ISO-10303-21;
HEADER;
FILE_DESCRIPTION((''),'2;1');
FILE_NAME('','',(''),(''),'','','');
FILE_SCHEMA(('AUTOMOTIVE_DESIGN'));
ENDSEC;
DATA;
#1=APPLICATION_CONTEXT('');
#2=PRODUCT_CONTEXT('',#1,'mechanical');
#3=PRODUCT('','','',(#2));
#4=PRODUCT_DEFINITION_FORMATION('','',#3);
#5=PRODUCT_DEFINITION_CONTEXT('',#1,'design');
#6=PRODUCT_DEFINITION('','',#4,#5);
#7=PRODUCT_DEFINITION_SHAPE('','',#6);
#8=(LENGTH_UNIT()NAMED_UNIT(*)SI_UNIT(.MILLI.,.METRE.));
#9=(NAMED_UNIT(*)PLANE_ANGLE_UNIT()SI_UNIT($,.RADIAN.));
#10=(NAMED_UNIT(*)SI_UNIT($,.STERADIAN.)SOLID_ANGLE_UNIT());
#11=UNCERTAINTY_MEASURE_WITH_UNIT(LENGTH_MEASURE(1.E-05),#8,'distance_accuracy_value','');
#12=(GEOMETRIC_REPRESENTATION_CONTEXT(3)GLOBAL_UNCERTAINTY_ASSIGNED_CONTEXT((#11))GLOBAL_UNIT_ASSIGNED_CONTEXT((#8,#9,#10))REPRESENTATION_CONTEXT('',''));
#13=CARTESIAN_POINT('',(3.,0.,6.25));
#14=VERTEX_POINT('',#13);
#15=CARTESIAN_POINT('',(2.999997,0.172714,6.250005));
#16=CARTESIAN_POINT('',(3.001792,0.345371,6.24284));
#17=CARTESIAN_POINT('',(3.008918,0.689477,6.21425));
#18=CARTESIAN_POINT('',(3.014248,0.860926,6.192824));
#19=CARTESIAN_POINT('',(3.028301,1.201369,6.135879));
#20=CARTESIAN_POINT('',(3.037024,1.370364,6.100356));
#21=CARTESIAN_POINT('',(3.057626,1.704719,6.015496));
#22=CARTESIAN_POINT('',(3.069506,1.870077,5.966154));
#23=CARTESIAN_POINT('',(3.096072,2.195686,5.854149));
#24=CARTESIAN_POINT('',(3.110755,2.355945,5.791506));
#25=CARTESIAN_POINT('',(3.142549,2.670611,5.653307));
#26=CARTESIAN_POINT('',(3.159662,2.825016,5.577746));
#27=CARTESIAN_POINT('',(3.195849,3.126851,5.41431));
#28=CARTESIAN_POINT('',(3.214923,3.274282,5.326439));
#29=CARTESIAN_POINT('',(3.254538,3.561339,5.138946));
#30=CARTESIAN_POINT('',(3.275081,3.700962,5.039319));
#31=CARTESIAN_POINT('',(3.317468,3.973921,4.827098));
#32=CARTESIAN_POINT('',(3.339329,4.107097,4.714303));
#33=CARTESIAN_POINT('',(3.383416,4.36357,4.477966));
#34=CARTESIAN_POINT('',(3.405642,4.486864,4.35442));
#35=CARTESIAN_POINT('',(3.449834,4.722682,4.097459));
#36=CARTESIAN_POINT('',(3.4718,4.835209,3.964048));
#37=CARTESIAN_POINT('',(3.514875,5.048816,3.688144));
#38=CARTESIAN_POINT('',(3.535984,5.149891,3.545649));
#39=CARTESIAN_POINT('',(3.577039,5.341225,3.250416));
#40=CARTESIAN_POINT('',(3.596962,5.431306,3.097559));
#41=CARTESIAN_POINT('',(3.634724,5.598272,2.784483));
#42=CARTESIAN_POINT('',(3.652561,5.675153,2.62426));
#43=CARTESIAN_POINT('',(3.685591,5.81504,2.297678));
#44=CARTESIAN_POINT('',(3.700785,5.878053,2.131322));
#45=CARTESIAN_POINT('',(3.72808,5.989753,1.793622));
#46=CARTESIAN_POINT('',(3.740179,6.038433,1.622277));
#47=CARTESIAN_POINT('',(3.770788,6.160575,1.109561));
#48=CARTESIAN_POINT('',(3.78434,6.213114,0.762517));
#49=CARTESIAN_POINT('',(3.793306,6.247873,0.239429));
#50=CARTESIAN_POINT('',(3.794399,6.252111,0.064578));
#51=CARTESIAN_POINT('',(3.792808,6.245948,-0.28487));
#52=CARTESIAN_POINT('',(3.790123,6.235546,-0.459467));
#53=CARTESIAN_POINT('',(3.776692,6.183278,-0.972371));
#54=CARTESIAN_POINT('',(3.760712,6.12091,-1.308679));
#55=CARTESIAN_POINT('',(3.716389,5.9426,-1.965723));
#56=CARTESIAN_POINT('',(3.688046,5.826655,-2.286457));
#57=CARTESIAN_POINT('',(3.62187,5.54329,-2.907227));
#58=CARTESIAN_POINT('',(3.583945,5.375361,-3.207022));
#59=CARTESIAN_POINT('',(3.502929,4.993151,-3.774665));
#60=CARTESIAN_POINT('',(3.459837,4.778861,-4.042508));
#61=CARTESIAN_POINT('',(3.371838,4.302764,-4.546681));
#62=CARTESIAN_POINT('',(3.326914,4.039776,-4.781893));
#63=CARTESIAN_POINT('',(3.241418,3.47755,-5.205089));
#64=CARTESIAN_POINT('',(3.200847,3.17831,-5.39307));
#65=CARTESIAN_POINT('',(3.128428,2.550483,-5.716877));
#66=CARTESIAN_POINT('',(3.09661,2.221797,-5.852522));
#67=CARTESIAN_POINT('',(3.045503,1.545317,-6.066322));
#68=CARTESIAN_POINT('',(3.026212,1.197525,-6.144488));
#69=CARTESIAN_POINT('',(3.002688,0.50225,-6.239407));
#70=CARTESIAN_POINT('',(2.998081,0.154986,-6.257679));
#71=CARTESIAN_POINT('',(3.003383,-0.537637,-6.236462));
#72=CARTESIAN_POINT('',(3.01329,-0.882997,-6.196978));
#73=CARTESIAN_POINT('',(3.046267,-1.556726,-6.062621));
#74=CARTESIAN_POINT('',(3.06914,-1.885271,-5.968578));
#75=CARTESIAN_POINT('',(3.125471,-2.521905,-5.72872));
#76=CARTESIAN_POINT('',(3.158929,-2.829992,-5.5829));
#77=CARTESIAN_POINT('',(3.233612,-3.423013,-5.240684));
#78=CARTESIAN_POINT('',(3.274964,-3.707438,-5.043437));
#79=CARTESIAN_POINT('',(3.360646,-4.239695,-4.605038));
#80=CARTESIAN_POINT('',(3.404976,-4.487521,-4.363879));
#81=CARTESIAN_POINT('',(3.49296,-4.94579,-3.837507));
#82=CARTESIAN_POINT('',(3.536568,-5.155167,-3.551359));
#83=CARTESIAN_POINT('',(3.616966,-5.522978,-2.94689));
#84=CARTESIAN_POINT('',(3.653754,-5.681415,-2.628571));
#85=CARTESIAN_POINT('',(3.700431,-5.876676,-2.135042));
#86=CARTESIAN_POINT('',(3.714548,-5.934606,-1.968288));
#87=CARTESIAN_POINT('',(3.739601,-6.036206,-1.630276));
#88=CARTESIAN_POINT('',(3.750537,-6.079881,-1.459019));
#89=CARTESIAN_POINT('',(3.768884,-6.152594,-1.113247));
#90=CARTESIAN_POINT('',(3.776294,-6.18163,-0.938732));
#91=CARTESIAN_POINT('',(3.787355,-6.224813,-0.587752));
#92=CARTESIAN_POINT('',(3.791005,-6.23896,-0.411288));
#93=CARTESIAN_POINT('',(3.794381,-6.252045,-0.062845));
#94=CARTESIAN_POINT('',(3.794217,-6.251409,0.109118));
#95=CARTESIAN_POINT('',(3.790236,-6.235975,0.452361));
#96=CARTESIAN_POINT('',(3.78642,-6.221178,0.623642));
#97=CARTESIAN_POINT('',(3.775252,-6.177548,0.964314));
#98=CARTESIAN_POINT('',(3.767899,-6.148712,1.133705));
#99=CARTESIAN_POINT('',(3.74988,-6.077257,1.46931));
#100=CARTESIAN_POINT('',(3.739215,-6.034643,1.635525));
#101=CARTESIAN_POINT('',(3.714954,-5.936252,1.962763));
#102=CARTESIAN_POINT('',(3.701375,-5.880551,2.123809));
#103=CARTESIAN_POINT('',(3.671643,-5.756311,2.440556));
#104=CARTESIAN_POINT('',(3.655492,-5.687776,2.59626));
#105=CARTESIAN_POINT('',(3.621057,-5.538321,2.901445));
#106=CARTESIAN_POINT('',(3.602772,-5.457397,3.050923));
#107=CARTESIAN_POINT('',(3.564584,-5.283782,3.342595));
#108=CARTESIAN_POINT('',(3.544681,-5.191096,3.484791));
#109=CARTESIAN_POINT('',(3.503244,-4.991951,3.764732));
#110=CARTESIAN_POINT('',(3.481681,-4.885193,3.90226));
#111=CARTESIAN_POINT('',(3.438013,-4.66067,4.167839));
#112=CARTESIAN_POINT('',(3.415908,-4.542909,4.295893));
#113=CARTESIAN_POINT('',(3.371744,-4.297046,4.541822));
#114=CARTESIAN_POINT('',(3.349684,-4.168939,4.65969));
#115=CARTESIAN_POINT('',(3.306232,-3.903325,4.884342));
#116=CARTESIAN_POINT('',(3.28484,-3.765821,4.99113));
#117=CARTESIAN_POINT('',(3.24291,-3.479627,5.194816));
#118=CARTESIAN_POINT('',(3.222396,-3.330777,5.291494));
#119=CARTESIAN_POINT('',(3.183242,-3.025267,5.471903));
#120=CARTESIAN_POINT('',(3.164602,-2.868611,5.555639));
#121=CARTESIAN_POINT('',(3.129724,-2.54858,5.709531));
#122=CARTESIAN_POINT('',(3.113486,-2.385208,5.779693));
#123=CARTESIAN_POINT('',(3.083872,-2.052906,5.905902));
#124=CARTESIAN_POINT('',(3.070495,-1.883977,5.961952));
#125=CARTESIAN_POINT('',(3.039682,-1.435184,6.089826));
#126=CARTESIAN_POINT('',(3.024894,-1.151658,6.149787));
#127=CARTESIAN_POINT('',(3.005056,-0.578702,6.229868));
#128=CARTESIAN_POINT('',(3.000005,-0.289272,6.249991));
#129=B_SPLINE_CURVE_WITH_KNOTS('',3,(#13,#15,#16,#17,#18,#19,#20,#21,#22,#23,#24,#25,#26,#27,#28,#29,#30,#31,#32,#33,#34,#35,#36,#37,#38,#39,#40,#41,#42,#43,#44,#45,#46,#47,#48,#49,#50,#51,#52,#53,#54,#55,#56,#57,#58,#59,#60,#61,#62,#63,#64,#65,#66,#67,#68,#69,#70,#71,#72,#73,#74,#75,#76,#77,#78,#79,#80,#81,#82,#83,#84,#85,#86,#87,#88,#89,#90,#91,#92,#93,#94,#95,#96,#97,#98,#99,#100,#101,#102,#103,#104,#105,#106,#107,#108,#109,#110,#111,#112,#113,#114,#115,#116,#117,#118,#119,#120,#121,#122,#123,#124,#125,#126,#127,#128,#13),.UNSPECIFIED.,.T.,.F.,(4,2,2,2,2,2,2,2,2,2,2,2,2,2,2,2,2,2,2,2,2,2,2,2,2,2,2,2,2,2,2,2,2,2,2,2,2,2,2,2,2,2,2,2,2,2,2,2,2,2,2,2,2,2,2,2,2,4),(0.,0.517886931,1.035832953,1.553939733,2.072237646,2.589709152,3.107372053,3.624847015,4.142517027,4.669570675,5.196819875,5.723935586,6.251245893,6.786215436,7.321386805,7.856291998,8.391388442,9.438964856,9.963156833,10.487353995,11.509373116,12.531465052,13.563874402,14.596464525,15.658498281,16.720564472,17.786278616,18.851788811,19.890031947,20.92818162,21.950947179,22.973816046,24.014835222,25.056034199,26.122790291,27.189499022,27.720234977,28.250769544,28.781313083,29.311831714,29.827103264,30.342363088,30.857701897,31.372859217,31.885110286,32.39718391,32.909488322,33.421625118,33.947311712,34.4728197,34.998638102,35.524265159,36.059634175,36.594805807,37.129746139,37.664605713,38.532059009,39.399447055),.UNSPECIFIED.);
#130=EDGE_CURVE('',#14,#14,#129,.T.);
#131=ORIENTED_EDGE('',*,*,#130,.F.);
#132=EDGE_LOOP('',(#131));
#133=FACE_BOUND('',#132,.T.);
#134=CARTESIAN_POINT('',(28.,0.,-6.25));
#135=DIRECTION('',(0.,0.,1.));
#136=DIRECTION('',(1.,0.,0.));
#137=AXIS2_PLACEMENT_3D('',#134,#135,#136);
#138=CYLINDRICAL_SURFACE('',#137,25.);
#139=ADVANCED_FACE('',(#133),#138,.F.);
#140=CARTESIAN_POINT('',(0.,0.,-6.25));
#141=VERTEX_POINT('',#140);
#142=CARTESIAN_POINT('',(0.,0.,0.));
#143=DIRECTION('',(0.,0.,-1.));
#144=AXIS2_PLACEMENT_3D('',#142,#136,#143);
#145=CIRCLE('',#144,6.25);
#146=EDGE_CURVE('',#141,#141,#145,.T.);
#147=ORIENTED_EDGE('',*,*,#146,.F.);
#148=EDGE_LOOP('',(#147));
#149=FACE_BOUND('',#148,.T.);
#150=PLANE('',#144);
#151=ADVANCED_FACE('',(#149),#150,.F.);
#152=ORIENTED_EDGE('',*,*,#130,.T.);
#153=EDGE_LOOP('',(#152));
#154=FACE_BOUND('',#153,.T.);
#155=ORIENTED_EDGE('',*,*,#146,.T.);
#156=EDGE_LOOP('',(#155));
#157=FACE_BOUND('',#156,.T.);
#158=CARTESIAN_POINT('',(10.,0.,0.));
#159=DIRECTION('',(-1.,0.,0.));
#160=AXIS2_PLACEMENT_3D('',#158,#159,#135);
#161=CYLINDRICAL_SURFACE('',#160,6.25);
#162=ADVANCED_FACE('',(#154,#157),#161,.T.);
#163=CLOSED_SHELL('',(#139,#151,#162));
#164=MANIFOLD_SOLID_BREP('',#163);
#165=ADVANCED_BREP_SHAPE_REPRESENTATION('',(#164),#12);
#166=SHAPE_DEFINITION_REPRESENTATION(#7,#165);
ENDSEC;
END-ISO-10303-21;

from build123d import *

# Parameters (mm, degrees)
SKETCH_1_R               = 6.25
EXTRUDE_1_DEPTH          = 10
SKETCH_2_R               = 25
CUT_EXTRUDE_1_DEPTH      = 7.25
CUT_EXTRUDE_1_DEPTH_BACK = 7.25


with BuildPart() as part:
    # 草图1 → 凸台-拉伸1 (new body)
    with BuildSketch(Plane(origin=(0, 0, 0), x_dir=(0, 0, -1), z_dir=(1, 0, 0))):
        Circle(SKETCH_1_R)
    extrude(amount=EXTRUDE_1_DEPTH)

    # 草图2 → 切除-拉伸1 (cut, two sides)
    with BuildSketch(Plane.XY) as cut_extrude_1_sk:
        with Locations((28, 0)):
            Circle(SKETCH_2_R)
    extrude(amount=CUT_EXTRUDE_1_DEPTH, mode=Mode.SUBTRACT)
    extrude(cut_extrude_1_sk.sketch, amount=-CUT_EXTRUDE_1_DEPTH_BACK, mode=Mode.SUBTRACT)


solid = part.part
